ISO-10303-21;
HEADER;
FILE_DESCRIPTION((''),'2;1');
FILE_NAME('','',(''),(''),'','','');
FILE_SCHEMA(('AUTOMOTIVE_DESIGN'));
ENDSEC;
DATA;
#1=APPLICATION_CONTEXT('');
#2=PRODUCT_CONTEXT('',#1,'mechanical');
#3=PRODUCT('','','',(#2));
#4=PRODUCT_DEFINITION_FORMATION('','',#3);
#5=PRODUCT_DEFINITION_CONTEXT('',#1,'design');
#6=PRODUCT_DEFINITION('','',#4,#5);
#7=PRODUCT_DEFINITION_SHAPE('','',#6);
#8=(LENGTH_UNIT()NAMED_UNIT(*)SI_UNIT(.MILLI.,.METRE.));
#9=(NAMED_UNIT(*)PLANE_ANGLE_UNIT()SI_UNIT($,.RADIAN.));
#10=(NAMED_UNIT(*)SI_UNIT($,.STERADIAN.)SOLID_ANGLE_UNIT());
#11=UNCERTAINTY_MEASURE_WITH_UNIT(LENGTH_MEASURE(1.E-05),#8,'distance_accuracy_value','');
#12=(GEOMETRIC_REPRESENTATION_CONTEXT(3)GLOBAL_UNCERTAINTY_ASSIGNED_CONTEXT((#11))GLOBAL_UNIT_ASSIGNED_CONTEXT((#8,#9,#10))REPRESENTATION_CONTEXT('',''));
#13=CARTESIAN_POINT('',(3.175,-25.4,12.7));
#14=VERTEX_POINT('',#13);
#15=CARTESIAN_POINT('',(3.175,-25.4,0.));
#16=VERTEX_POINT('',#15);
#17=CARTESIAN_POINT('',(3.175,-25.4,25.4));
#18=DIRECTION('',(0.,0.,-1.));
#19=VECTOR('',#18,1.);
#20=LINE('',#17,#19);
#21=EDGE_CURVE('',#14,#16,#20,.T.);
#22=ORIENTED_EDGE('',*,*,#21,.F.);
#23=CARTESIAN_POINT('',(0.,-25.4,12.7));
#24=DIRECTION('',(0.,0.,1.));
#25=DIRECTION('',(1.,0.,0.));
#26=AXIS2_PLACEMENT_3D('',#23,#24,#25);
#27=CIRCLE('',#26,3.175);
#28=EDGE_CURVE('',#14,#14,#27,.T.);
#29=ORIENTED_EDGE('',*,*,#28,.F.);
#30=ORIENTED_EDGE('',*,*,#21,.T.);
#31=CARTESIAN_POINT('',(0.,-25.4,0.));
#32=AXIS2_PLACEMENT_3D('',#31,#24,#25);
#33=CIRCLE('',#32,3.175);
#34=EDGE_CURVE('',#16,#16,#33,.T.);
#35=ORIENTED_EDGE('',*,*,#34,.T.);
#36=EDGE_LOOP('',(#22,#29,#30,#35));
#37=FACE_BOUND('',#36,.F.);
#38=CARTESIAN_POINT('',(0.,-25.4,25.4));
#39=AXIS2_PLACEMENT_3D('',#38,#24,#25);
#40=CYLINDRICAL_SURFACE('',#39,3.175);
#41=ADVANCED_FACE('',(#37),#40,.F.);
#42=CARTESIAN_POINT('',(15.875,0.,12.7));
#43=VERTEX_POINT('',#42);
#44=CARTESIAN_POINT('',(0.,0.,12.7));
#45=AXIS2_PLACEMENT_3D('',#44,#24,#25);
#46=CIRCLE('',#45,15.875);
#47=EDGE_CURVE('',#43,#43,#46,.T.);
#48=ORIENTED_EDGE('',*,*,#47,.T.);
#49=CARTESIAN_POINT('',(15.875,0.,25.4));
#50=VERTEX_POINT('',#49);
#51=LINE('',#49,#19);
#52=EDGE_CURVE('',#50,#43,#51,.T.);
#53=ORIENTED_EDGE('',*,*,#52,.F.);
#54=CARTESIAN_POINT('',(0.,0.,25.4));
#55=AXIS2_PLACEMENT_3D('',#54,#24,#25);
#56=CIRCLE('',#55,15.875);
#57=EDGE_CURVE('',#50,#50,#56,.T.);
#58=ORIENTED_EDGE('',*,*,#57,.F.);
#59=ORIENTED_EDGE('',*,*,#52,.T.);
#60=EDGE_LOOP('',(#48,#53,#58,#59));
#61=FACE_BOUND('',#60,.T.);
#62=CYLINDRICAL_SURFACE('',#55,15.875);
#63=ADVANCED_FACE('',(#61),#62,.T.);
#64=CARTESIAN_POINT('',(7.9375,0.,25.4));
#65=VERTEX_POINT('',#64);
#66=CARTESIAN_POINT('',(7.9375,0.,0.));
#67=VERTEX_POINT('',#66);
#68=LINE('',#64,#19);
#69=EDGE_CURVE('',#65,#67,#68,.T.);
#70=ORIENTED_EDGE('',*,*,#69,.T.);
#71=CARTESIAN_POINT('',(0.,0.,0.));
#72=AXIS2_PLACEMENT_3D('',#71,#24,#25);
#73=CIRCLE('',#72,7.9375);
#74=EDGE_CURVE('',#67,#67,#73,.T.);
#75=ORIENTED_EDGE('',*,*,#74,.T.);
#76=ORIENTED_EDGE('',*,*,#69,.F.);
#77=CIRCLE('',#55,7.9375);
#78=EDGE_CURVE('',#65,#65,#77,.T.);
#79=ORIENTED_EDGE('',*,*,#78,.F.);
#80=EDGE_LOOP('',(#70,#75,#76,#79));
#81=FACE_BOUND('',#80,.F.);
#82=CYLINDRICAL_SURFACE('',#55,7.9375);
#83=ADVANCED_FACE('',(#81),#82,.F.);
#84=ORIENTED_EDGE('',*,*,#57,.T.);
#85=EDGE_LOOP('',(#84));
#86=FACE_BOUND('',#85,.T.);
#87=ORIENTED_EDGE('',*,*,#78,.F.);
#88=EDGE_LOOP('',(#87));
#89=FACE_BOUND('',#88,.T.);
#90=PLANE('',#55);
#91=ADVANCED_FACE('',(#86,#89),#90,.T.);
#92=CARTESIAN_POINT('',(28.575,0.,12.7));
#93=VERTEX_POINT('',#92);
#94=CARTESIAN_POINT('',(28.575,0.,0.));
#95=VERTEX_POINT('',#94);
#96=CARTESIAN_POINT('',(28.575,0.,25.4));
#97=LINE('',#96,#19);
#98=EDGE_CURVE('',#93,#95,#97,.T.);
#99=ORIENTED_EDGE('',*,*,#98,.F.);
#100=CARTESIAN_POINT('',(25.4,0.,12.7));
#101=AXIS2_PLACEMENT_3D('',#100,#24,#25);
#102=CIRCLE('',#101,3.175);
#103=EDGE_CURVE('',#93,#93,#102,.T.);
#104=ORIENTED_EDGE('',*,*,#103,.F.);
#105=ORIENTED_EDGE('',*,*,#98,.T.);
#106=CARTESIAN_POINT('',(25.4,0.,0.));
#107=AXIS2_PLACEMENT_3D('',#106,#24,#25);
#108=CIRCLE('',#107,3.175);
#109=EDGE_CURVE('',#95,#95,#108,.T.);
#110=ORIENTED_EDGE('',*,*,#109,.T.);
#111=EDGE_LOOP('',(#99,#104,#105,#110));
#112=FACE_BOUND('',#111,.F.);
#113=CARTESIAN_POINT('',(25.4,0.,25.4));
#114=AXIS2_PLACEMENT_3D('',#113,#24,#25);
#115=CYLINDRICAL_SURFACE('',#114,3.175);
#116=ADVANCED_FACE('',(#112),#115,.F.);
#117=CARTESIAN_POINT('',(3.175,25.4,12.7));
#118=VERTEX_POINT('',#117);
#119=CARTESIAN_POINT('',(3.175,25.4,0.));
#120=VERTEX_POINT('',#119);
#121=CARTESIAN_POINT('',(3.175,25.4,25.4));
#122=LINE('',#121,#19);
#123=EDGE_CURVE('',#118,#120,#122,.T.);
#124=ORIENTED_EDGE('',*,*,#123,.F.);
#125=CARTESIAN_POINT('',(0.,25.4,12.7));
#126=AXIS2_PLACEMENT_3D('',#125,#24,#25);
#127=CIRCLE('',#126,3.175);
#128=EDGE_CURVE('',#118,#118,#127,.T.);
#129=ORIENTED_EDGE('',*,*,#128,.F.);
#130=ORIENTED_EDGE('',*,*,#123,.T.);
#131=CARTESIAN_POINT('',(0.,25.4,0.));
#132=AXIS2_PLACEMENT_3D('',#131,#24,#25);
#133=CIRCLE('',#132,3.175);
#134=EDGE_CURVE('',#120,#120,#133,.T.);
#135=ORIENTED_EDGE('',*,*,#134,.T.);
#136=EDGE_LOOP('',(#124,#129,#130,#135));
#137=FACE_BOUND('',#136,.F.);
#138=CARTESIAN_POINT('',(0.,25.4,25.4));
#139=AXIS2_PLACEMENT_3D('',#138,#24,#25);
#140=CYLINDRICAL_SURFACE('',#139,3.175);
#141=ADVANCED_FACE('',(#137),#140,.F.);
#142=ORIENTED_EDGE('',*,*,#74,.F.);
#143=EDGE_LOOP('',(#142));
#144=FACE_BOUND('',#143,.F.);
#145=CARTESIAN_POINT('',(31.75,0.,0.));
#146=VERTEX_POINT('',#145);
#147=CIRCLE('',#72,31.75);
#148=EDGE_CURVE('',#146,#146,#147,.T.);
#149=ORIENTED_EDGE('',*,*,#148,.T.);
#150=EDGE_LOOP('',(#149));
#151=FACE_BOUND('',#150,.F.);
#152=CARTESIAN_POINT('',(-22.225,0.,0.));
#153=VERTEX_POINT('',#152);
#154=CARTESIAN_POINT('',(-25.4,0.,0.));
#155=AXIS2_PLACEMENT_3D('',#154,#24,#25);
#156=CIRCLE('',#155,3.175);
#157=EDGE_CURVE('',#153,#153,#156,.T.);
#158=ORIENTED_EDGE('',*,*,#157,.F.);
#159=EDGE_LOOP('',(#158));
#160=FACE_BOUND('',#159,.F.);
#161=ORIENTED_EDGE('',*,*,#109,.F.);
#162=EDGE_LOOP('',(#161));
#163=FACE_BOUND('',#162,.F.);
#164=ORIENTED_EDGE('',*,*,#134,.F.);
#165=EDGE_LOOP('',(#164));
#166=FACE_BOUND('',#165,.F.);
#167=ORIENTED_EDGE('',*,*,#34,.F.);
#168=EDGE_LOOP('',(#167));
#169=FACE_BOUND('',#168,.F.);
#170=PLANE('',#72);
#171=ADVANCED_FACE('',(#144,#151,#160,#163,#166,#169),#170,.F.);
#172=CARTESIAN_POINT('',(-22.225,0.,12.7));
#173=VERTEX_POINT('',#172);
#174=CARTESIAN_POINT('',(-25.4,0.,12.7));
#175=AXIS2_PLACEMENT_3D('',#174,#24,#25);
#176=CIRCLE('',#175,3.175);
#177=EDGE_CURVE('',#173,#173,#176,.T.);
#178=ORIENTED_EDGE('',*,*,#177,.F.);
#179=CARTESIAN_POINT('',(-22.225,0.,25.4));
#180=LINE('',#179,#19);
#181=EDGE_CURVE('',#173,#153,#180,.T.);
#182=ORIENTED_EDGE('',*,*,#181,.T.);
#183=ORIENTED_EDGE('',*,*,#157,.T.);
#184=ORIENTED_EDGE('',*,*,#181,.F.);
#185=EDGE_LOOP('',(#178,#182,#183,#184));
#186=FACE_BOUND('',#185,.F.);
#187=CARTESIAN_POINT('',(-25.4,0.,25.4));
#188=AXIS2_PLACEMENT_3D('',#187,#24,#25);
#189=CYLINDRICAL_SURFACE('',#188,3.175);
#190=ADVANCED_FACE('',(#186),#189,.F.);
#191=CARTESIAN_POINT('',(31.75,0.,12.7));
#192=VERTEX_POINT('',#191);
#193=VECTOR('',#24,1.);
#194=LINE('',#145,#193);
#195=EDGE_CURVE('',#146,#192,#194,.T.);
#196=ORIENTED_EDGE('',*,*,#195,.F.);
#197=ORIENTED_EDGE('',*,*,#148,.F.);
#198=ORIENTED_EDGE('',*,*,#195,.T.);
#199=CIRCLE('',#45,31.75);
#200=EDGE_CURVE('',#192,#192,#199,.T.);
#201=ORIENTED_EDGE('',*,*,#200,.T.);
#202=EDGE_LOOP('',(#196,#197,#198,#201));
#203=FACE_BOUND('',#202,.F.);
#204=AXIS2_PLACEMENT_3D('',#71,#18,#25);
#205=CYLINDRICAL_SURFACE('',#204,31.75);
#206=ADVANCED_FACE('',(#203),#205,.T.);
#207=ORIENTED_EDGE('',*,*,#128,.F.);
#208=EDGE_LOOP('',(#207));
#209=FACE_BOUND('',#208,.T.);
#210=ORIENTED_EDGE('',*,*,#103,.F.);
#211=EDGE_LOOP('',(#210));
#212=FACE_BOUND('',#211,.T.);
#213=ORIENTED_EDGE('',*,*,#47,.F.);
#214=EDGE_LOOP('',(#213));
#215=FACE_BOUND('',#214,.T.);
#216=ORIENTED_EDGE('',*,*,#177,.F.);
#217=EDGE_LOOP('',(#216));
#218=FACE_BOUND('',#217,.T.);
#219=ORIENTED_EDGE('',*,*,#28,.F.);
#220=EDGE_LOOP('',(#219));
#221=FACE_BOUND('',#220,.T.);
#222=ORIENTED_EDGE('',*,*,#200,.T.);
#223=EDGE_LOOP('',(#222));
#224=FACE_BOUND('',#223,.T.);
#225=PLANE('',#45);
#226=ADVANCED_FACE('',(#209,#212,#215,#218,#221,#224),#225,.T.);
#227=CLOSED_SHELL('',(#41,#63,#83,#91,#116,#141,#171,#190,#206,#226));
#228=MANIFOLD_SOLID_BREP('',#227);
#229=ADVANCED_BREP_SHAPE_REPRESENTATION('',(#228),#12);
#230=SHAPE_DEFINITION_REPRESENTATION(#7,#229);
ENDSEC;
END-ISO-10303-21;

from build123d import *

# Parameters (mm, degrees)
F0_R     = 31.75
F1_DEPTH = 25.4
F2_R     = 31.75
F2_R_2   = 15.875
F3_DEPTH = 12.7
F4_R     = 7.9375
F4_R_2   = 3.175
F5_DEPTH = 25.401


with BuildPart() as f1:
    # F0 (on Top) → F1 (new body)
    with BuildSketch(Plane.XY):
        Circle(F0_R)
    extrude(amount=F1_DEPTH)

    # F2 (on face) → F3 (cut)
    with BuildSketch(Plane.XY.offset(25.4)):
        Circle(F2_R)
        Circle(F2_R_2, mode=Mode.SUBTRACT)
    extrude(amount=-F3_DEPTH, mode=Mode.SUBTRACT)

    # F4 (on face) → F5 (cut, through all)
    with BuildSketch(Plane.XY.offset(25.4)):
        Circle(F4_R)
        with Locations((0, 25.4)):
            Circle(F4_R_2)
        with Locations((0, -25.4)):
            Circle(F4_R_2)
        with Locations((25.4, 0)):
            Circle(F4_R_2)
        with Locations((-25.4, 0)):
            Circle(F4_R_2)
    extrude(amount=-F5_DEPTH, mode=Mode.SUBTRACT)


solid = f1.part
